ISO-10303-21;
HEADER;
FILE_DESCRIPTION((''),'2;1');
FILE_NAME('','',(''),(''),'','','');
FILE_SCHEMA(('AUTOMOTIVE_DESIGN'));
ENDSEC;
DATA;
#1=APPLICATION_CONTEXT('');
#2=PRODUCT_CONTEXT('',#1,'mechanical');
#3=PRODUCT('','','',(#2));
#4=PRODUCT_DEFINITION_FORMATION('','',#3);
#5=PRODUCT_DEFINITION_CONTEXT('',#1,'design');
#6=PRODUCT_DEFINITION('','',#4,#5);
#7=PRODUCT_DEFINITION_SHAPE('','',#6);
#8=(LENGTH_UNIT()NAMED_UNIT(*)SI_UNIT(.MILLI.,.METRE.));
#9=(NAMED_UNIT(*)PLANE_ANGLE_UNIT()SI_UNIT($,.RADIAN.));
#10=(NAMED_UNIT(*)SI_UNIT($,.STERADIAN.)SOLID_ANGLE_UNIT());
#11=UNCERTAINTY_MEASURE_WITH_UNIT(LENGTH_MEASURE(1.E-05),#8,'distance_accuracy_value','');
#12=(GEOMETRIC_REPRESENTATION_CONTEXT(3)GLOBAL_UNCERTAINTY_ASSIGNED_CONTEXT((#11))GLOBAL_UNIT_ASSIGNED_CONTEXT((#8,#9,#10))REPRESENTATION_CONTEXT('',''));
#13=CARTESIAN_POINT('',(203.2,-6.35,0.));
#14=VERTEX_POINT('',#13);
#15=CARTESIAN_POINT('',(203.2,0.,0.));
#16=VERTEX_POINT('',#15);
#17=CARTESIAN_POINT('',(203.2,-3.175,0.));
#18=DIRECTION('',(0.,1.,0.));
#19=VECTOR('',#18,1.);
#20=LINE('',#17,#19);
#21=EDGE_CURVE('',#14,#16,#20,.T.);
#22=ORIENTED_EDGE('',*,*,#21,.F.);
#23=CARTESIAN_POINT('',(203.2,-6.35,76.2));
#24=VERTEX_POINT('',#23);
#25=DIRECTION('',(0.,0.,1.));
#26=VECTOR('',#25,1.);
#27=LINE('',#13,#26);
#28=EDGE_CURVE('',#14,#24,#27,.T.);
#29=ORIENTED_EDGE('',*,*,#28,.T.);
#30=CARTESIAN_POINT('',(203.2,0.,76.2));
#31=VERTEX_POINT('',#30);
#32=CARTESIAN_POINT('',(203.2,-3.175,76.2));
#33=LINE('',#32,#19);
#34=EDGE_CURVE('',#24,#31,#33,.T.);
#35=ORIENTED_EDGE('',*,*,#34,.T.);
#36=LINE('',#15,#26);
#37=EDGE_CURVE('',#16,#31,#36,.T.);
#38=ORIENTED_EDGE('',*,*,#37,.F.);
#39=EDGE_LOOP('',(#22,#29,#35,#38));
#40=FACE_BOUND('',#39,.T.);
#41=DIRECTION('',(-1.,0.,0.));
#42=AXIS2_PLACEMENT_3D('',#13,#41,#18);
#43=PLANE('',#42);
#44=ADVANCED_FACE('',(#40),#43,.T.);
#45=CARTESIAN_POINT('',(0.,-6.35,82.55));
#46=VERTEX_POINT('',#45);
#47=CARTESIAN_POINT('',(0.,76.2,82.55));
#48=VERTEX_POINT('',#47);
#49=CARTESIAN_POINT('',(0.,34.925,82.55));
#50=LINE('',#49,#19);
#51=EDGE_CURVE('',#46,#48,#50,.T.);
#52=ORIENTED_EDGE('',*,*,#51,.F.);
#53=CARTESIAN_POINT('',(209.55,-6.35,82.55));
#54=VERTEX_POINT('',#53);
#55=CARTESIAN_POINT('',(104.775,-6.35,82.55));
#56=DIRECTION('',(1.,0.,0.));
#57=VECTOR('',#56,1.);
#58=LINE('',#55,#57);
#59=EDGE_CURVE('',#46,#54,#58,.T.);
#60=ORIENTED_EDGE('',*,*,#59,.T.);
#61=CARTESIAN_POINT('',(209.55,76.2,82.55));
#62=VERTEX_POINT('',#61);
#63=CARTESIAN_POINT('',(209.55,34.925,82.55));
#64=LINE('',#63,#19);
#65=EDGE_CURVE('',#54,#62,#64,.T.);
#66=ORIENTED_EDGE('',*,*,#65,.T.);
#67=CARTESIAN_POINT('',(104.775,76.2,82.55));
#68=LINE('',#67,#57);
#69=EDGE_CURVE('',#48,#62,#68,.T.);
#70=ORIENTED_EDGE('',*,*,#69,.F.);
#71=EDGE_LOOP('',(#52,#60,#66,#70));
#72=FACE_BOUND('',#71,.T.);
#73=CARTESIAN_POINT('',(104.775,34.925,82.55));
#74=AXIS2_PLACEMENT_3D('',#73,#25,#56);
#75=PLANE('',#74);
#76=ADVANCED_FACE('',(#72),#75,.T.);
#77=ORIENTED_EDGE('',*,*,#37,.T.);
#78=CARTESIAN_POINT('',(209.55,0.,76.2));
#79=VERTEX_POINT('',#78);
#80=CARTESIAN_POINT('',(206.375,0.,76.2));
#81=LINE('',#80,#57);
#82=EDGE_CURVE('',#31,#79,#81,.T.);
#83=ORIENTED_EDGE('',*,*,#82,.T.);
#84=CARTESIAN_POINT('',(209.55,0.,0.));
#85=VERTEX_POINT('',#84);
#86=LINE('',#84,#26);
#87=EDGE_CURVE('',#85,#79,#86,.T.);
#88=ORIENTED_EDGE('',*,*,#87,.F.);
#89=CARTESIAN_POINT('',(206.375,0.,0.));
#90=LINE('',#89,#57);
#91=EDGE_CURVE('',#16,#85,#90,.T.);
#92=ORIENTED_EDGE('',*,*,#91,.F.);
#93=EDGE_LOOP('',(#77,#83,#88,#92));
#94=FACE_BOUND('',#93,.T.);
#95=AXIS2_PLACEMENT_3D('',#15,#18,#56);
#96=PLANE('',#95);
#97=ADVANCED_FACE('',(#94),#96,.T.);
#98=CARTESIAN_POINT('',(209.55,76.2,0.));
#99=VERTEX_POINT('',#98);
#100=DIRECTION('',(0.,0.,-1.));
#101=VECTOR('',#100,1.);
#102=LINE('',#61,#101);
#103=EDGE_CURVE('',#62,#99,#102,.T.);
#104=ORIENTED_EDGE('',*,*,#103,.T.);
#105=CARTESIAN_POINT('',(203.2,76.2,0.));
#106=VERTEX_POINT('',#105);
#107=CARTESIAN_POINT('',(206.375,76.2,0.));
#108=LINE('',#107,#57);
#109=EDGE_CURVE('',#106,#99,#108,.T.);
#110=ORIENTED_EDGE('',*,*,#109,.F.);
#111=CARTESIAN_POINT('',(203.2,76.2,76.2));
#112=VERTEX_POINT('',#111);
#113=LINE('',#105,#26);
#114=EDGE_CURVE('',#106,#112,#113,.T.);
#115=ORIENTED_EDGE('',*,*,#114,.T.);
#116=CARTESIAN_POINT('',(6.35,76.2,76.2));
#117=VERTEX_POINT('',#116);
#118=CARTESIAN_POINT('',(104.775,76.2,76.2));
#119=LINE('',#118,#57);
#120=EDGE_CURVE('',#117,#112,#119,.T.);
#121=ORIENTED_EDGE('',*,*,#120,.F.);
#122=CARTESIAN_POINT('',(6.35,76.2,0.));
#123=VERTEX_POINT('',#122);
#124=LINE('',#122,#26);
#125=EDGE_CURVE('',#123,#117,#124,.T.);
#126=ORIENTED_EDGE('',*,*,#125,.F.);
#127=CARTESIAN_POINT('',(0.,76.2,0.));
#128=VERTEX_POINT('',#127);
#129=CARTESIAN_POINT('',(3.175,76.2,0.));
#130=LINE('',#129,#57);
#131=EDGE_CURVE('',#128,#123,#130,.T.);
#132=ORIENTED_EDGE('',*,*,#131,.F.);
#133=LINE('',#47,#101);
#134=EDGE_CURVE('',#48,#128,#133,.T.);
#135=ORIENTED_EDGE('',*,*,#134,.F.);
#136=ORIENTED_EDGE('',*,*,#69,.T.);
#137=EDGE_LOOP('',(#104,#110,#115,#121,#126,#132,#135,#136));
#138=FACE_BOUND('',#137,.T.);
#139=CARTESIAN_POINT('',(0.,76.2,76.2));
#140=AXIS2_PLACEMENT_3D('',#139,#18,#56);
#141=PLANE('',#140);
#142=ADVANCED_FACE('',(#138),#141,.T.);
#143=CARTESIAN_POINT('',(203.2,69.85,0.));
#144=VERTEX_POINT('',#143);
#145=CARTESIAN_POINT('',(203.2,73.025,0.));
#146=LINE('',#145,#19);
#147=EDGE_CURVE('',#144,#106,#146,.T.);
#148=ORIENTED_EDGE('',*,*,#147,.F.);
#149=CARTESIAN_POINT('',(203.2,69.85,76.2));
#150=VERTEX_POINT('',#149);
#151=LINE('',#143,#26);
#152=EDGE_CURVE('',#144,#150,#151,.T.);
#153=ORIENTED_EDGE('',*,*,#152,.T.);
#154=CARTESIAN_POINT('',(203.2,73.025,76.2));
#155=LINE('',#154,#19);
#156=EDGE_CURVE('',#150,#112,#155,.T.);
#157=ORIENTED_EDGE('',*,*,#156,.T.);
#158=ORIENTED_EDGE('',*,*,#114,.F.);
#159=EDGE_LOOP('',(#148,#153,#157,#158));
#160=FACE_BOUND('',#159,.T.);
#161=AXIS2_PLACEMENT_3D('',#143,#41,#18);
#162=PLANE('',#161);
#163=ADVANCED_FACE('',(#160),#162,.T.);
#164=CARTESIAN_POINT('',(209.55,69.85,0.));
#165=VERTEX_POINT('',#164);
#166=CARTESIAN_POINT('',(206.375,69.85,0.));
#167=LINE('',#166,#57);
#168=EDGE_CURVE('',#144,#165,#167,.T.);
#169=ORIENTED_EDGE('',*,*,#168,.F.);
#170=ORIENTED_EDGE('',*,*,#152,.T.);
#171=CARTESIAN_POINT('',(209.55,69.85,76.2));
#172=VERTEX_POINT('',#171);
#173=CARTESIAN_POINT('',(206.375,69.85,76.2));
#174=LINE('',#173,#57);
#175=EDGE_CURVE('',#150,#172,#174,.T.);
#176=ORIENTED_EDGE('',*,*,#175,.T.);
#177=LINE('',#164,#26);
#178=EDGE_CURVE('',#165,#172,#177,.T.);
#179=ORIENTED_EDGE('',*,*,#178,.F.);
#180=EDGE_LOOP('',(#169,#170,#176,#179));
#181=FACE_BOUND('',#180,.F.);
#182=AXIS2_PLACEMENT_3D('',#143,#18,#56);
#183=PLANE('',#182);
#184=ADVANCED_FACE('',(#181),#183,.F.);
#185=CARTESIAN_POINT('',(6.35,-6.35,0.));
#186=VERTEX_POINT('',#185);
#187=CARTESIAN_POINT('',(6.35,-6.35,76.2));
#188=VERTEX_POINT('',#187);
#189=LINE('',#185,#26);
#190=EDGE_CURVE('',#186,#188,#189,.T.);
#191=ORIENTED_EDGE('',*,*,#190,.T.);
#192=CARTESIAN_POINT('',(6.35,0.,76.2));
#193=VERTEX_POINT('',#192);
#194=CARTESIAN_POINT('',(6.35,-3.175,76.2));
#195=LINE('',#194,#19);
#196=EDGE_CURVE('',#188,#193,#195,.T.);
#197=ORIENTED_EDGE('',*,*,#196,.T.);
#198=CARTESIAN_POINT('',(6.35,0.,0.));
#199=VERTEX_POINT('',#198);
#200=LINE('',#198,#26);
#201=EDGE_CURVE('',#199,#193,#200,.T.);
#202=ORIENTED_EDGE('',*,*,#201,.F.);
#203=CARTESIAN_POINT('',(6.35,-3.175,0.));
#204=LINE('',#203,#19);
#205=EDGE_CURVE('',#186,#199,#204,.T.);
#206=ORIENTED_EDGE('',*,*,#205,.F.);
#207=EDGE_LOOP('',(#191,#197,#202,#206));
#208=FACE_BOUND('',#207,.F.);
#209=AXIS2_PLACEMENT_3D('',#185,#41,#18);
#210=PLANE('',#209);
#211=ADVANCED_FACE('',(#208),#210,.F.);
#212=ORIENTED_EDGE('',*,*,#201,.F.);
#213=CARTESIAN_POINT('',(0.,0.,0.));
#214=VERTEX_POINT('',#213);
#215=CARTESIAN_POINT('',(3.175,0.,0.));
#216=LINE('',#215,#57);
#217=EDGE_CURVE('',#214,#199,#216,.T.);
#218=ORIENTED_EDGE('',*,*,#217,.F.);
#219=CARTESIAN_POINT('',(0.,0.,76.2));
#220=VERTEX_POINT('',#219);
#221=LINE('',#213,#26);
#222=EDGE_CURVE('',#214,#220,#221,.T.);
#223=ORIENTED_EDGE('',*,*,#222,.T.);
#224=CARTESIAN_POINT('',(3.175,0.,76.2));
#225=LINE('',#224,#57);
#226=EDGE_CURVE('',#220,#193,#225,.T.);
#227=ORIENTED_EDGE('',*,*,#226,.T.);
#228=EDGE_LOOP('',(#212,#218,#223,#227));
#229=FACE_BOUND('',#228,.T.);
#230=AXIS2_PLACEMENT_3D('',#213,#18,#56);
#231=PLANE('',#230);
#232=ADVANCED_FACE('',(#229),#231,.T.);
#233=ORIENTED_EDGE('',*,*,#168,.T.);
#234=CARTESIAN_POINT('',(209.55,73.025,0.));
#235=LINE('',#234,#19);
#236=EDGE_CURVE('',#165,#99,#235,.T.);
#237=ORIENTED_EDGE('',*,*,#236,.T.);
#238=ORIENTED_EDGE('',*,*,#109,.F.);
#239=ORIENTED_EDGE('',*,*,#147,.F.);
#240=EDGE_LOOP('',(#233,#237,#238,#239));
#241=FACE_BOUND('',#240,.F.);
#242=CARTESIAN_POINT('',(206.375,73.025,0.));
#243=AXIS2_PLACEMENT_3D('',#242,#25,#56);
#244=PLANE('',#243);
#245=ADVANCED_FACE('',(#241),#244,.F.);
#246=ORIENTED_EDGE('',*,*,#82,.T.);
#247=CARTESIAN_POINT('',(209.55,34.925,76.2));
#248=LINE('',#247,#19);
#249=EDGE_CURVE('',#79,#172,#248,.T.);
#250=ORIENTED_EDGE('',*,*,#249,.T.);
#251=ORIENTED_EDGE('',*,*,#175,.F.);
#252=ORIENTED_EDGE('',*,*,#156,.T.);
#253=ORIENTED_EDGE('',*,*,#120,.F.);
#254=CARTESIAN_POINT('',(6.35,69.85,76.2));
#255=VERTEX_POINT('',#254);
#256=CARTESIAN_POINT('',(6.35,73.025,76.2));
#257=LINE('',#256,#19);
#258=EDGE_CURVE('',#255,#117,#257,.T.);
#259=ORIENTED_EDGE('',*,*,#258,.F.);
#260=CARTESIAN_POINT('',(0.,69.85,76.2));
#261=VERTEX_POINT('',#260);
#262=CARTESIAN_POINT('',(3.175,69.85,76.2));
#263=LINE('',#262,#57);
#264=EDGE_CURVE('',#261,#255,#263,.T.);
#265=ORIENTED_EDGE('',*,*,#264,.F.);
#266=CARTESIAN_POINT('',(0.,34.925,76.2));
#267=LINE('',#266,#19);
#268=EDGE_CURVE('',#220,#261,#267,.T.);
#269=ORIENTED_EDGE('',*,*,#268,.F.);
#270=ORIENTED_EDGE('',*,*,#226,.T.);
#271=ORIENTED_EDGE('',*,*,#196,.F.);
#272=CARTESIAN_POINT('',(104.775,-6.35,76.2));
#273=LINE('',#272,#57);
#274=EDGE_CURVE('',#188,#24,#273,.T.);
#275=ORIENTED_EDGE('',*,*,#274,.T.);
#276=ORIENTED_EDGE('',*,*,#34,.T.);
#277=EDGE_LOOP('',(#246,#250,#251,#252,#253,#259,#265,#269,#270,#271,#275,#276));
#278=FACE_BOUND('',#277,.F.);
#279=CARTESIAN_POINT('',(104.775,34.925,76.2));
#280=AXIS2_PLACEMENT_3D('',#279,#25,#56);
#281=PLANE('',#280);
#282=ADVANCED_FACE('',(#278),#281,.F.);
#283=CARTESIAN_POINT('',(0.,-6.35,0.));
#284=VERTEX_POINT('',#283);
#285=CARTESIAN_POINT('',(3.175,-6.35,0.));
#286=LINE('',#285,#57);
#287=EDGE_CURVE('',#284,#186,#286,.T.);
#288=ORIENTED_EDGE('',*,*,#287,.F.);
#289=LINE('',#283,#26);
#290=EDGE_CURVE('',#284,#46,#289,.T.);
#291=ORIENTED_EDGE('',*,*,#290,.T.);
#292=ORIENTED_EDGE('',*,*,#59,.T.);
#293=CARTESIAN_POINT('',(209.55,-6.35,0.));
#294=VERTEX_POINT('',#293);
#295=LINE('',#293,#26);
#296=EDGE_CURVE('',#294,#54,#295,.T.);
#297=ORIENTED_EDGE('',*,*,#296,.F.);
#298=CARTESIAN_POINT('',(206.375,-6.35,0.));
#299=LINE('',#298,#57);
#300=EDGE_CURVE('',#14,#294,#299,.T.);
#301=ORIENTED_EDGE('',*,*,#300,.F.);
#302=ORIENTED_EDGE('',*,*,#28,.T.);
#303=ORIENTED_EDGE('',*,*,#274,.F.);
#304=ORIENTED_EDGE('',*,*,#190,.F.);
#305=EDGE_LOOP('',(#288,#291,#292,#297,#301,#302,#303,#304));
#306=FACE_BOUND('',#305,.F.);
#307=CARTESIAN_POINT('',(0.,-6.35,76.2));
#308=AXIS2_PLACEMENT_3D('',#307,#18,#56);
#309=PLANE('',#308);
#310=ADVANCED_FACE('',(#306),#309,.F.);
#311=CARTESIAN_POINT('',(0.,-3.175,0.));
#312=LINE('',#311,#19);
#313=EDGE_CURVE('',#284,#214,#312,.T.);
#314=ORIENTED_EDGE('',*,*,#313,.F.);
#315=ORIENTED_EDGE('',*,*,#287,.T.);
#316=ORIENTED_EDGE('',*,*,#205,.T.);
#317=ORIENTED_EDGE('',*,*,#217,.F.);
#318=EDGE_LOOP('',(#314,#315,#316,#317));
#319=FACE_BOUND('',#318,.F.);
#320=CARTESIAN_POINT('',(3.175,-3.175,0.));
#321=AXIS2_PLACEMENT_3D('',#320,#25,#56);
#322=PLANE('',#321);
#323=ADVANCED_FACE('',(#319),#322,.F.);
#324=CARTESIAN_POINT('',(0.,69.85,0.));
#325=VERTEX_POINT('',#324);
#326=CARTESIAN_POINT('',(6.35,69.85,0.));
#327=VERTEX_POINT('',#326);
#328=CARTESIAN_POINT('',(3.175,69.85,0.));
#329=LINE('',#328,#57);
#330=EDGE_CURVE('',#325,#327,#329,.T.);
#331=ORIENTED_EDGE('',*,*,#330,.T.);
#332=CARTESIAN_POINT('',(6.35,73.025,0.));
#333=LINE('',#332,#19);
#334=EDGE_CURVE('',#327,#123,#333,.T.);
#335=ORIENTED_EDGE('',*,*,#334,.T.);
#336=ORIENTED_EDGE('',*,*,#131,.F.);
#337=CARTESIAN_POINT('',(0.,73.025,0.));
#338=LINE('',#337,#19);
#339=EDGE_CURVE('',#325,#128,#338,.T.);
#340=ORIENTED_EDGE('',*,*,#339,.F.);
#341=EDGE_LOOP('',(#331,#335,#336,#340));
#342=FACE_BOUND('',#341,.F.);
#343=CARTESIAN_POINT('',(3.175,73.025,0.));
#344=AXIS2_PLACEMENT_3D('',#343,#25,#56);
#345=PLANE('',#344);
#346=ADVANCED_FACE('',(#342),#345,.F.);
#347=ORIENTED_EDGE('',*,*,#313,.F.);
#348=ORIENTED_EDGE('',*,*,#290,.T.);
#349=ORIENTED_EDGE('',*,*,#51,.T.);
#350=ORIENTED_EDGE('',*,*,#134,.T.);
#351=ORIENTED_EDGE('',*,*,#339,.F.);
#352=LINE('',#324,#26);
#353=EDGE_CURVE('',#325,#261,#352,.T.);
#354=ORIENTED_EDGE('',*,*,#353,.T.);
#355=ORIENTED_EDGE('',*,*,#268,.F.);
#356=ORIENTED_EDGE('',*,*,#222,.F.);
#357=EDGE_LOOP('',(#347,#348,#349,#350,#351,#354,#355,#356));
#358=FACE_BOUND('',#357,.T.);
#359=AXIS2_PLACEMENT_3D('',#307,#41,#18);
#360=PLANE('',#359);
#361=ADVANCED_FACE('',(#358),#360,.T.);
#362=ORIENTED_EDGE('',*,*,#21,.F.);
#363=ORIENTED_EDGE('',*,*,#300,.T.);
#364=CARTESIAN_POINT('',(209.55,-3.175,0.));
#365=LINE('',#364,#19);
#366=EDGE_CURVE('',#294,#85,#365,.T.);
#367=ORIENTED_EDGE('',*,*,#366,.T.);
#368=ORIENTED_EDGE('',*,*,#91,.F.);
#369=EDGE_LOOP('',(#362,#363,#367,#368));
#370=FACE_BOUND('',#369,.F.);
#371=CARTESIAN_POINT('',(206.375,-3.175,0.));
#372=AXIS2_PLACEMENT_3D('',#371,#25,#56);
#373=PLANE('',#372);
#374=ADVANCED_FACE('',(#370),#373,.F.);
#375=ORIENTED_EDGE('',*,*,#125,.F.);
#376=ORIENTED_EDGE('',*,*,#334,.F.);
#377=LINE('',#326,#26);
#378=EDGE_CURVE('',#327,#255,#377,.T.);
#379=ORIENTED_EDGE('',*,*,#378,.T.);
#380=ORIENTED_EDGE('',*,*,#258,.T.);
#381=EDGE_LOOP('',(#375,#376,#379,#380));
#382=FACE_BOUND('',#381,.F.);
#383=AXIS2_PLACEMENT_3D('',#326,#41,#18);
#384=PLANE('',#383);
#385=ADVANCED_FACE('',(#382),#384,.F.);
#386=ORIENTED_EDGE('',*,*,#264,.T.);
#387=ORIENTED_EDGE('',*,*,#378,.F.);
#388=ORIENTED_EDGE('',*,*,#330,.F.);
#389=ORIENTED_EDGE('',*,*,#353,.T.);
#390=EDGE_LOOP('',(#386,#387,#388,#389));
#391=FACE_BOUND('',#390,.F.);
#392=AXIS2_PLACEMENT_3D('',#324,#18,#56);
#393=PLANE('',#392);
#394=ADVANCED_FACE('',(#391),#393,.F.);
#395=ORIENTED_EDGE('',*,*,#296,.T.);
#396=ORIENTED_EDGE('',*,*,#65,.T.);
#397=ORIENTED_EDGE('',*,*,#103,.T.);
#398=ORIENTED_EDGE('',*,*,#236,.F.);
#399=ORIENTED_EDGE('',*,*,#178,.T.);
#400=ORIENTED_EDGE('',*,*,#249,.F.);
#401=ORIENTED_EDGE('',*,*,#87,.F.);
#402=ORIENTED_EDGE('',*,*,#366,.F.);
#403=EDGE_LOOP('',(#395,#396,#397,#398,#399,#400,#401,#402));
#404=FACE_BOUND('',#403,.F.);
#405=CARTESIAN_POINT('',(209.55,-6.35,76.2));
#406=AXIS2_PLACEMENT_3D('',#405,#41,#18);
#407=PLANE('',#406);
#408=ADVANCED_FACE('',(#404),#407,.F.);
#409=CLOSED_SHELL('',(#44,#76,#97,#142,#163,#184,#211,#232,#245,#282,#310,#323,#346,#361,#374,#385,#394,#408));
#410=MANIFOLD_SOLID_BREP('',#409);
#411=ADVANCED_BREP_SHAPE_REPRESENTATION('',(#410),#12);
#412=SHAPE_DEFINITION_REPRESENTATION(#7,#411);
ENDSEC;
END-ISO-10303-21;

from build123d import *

# Parameters (mm, degrees)
F0_W     = 6.35
F0_H     = 6.35
F1_DEPTH = 76.2
F2_W     = 209.55
F2_H     = 82.55
F3_DEPTH = 6.35


with BuildPart() as f1:
    # F0 (on Top) → F1 (new body)
    with BuildSketch(Plane.XY):
        with Locations((3.175, -3.175)):
            Rectangle(F0_W, F0_H)
        with Locations((3.175, 73.025)):
            Rectangle(F0_W, F0_H)
        with Locations((206.375, -3.175)):
            Rectangle(F0_W, F0_H)
        with Locations((206.375, 73.025)):
            Rectangle(F0_W, F0_H)
    extrude(amount=F1_DEPTH)

    # F2 (on face) → F3 (join)
    with BuildSketch(Plane.XY.offset(76.2)):
        with Locations((104.775, 34.925)):
            Rectangle(F2_W, F2_H)
    extrude(amount=F3_DEPTH)


solid = f1.part
